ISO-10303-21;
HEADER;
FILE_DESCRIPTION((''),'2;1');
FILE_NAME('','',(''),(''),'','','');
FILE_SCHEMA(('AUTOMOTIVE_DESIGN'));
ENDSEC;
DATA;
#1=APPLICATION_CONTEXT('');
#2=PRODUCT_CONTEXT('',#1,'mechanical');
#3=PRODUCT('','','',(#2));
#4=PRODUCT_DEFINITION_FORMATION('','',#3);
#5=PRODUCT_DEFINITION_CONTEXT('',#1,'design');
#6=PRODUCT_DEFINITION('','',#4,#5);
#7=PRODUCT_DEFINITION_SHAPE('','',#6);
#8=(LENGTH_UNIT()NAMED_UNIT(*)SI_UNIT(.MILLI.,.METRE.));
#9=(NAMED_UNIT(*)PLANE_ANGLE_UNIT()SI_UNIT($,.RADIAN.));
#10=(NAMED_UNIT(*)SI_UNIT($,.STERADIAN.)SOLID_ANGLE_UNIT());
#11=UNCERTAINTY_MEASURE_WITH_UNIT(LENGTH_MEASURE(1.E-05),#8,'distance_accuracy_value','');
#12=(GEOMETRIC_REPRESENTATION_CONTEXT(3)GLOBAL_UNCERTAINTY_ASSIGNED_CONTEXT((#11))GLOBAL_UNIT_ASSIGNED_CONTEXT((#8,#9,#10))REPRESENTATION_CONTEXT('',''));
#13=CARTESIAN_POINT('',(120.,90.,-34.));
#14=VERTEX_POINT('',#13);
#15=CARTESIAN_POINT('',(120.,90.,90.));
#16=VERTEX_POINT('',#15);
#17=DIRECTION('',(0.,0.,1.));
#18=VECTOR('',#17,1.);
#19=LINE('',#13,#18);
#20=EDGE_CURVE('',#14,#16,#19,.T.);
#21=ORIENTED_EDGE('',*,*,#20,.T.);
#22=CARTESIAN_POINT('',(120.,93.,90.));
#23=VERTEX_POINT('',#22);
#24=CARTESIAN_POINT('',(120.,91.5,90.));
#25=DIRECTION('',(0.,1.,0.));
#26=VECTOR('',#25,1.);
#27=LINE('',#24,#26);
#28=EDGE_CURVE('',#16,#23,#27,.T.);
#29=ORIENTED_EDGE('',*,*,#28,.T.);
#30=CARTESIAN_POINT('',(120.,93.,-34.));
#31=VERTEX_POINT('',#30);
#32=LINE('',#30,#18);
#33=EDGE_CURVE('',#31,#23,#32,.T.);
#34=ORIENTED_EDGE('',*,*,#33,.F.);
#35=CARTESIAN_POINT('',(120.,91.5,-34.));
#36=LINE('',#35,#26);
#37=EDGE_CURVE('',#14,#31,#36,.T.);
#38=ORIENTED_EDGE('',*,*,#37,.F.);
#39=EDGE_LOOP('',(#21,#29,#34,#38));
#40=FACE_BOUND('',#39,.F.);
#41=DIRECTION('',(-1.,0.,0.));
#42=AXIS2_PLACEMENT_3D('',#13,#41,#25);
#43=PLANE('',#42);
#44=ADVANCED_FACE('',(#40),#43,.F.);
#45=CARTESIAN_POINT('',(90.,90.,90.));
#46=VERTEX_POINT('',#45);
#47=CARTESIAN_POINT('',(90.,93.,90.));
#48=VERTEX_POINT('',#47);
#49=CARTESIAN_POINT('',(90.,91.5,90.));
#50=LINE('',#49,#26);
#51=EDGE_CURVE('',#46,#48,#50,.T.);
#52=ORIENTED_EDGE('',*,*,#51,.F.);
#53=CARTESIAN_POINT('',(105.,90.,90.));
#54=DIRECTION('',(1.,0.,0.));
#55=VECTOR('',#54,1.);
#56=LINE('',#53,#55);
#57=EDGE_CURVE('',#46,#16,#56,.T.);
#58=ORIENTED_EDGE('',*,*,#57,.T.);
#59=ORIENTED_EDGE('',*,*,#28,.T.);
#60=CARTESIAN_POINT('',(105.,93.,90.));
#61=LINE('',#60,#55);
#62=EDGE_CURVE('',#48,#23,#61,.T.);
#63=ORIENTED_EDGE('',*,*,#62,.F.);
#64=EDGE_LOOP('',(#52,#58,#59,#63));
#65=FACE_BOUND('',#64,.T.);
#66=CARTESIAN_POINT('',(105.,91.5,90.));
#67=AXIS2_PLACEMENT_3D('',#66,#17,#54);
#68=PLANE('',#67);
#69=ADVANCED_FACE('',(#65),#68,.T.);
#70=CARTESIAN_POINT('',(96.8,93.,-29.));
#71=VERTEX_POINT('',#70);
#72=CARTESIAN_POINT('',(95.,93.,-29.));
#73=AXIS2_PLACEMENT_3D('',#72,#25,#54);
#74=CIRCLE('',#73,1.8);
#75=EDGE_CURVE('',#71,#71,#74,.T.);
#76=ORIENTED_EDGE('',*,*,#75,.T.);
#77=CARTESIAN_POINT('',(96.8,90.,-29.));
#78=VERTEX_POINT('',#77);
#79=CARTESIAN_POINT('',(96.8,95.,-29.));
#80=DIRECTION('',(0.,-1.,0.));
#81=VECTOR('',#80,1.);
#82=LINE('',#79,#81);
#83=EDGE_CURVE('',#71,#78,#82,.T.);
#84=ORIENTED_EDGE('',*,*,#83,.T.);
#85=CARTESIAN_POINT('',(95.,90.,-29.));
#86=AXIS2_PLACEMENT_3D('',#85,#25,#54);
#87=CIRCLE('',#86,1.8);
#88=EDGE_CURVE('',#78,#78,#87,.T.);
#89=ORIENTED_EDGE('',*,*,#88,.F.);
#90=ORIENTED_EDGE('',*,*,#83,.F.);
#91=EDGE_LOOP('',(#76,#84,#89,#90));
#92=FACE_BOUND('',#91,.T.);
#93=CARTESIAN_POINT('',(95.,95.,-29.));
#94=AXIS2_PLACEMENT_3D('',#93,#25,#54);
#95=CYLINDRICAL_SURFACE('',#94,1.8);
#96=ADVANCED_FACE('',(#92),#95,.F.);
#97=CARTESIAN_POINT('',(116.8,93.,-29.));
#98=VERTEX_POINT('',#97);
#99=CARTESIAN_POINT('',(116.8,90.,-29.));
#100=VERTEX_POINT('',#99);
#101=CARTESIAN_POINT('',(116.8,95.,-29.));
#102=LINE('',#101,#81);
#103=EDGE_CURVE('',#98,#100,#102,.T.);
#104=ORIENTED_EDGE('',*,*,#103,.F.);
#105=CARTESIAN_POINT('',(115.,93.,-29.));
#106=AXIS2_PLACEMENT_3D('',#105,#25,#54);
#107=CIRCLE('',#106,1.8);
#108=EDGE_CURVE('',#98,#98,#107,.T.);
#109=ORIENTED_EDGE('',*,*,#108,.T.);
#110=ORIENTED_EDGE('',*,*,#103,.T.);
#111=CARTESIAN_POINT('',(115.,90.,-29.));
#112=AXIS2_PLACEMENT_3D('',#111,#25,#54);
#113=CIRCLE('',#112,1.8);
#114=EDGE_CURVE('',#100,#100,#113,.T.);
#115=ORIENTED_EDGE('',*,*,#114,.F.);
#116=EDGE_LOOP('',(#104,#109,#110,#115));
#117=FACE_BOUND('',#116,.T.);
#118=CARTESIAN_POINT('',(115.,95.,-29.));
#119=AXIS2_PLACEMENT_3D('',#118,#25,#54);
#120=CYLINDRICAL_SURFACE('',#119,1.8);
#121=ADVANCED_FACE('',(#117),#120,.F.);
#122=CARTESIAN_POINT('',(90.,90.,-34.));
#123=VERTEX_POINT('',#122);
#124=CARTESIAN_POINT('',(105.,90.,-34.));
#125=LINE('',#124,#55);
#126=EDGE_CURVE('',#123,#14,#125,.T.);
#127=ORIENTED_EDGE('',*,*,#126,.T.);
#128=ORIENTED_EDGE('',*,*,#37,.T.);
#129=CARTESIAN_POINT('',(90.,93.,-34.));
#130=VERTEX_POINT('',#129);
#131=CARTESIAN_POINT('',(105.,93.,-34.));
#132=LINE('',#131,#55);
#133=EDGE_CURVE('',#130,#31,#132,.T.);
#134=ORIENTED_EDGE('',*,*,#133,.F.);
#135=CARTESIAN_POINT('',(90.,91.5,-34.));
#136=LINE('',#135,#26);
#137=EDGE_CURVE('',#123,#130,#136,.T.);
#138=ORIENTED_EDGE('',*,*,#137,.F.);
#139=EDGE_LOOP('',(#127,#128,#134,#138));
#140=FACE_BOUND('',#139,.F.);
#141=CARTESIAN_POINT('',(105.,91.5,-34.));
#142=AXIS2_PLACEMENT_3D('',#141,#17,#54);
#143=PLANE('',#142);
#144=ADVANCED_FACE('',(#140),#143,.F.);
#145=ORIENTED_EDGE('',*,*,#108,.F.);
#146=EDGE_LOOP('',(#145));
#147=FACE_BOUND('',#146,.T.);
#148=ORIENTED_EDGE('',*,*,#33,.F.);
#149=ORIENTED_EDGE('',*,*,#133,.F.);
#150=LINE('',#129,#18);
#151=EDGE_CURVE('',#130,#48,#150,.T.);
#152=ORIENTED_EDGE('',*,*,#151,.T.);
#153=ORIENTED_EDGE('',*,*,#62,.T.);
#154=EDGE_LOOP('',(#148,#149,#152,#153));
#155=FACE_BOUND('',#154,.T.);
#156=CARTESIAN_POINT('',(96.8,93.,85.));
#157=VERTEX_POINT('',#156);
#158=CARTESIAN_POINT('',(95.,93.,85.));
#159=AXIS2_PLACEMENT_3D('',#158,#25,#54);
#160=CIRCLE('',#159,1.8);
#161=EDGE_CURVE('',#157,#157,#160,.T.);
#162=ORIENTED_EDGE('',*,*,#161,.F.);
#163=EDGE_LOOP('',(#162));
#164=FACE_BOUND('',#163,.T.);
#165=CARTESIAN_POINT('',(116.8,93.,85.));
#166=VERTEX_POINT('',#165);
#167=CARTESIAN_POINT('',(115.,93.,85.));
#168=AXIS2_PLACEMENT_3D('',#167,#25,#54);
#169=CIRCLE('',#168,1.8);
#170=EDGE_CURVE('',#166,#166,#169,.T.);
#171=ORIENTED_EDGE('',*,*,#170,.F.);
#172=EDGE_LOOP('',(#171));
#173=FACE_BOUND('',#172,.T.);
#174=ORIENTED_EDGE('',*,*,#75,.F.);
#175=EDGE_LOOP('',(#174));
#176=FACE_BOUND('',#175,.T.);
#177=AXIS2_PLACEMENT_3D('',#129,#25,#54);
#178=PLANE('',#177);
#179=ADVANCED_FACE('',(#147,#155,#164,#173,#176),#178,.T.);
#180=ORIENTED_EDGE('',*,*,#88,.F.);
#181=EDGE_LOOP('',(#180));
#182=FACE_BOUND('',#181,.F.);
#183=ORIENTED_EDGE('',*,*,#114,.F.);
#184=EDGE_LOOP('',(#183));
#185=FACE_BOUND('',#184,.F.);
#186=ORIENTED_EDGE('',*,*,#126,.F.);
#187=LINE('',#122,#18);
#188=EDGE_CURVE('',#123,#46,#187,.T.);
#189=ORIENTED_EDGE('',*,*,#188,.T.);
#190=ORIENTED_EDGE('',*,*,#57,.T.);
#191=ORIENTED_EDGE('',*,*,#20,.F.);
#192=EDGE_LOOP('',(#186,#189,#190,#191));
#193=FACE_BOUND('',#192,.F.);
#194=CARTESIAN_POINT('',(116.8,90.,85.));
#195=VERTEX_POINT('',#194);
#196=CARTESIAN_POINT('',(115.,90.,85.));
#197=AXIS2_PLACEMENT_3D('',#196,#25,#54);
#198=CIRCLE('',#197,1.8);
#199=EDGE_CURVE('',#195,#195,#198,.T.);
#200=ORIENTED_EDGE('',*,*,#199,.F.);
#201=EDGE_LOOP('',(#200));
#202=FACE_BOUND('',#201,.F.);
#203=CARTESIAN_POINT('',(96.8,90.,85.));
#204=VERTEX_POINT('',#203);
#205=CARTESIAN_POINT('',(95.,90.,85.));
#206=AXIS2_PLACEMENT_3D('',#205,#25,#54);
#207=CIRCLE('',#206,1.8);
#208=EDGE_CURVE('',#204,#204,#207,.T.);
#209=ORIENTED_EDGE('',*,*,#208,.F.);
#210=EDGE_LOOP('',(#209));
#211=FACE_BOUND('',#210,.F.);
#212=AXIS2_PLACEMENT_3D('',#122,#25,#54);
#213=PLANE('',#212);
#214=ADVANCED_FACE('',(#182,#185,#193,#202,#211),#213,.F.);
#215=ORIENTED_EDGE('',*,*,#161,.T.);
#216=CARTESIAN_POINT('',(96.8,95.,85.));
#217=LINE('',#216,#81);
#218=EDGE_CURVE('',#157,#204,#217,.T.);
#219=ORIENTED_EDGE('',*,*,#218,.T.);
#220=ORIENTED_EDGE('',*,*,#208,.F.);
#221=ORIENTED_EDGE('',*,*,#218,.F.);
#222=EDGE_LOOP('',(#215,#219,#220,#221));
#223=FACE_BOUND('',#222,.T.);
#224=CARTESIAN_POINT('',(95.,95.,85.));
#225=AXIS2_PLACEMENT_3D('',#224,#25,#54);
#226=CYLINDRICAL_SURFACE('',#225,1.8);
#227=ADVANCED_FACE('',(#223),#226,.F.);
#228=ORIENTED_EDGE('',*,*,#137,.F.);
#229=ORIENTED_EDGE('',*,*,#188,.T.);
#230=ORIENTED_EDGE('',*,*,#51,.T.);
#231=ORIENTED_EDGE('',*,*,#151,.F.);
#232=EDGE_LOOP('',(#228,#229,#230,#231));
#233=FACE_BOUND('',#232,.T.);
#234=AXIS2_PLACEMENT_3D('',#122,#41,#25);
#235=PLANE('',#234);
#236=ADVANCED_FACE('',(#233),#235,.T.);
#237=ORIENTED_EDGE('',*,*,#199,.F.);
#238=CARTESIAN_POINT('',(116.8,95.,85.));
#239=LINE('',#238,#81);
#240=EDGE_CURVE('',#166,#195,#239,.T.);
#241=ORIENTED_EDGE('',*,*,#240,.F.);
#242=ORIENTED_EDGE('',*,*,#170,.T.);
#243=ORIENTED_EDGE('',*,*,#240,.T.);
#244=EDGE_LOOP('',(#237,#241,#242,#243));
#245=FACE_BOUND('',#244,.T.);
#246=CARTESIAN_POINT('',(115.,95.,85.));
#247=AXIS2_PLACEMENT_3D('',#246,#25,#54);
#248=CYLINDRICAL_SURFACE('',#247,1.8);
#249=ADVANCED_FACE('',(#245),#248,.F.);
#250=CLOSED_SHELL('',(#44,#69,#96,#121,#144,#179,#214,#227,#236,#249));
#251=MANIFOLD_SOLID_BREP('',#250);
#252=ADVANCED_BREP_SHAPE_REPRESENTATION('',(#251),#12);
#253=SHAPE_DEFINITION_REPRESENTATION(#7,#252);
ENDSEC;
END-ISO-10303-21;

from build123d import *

# Parameters (mm, degrees)
CYLINDER038_R       = 1.8
CYLINDER038_DEPTH   = 10
ARRAY001019_X_COUNT = 2
ARRAY001019_X_PITCH = 20
ARRAY001019_Z_COUNT = 2
ARRAY001019_Z_PITCH = 114
BOX018_W            = 30
BOX018_H            = 3
BOX018_DEPTH        = 124


with BuildPart() as side_connector_hole_array:
    # Cylinder038 → Cylinder038 (new body)
    with BuildSketch(Plane.XZ):
        Circle(CYLINDER038_R)
    extrude(amount=CYLINDER038_DEPTH)

    # Array001019 X: side connector hole array ×2


with BuildPart() as side_connector_hole_array_1:
    add(side_connector_hole_array.part)
    with Locations(*[(i * ARRAY001019_X_PITCH, 0, 0) for i in range(1, ARRAY001019_X_COUNT)]):
        add(side_connector_hole_array.part)

    # Array001019 Z: side connector hole array ×2


with BuildPart() as side_connector_hole_array_2:
    add(side_connector_hole_array_1.part)
    with Locations(*[(0, 0, i * ARRAY001019_Z_PITCH) for i in range(1, ARRAY001019_Z_COUNT)]):
        add(side_connector_hole_array_1.part)


with BuildPart() as side_connector_hole_array_3:
    # Array001019 placement: moved
    add(side_connector_hole_array_2.part.moved(Location((5, 5, 5))))


with BuildPart() as vertical_side_connector_clone002:
    # Box018 → Box018 (new body)
    with BuildSketch(Plane.XY):
        with Locations((15, 1.5)):
            Rectangle(BOX018_W, BOX018_H)
    extrude(amount=BOX018_DEPTH)

    # Cut014: cut side connector hole array
    add(side_connector_hole_array_3.part, mode=Mode.SUBTRACT)


with BuildPart() as vertical_side_connector_clone002_1:
    # Compound001 placement: moved
    add(vertical_side_connector_clone002.part.moved(Location((0, -5, -36))))


with BuildPart() as vertical_side_connector_clone002_2:
    # Clone006 placement: moved
    add(vertical_side_connector_clone002_1.part.moved(Location((0, 0, 2))))


with BuildPart() as vertical_side_connector_clone002_3:
    # Body006 placement: moved
    add(vertical_side_connector_clone002_2.part.moved(Location((90, 95, 0))))


solid = vertical_side_connector_clone002_3.part
